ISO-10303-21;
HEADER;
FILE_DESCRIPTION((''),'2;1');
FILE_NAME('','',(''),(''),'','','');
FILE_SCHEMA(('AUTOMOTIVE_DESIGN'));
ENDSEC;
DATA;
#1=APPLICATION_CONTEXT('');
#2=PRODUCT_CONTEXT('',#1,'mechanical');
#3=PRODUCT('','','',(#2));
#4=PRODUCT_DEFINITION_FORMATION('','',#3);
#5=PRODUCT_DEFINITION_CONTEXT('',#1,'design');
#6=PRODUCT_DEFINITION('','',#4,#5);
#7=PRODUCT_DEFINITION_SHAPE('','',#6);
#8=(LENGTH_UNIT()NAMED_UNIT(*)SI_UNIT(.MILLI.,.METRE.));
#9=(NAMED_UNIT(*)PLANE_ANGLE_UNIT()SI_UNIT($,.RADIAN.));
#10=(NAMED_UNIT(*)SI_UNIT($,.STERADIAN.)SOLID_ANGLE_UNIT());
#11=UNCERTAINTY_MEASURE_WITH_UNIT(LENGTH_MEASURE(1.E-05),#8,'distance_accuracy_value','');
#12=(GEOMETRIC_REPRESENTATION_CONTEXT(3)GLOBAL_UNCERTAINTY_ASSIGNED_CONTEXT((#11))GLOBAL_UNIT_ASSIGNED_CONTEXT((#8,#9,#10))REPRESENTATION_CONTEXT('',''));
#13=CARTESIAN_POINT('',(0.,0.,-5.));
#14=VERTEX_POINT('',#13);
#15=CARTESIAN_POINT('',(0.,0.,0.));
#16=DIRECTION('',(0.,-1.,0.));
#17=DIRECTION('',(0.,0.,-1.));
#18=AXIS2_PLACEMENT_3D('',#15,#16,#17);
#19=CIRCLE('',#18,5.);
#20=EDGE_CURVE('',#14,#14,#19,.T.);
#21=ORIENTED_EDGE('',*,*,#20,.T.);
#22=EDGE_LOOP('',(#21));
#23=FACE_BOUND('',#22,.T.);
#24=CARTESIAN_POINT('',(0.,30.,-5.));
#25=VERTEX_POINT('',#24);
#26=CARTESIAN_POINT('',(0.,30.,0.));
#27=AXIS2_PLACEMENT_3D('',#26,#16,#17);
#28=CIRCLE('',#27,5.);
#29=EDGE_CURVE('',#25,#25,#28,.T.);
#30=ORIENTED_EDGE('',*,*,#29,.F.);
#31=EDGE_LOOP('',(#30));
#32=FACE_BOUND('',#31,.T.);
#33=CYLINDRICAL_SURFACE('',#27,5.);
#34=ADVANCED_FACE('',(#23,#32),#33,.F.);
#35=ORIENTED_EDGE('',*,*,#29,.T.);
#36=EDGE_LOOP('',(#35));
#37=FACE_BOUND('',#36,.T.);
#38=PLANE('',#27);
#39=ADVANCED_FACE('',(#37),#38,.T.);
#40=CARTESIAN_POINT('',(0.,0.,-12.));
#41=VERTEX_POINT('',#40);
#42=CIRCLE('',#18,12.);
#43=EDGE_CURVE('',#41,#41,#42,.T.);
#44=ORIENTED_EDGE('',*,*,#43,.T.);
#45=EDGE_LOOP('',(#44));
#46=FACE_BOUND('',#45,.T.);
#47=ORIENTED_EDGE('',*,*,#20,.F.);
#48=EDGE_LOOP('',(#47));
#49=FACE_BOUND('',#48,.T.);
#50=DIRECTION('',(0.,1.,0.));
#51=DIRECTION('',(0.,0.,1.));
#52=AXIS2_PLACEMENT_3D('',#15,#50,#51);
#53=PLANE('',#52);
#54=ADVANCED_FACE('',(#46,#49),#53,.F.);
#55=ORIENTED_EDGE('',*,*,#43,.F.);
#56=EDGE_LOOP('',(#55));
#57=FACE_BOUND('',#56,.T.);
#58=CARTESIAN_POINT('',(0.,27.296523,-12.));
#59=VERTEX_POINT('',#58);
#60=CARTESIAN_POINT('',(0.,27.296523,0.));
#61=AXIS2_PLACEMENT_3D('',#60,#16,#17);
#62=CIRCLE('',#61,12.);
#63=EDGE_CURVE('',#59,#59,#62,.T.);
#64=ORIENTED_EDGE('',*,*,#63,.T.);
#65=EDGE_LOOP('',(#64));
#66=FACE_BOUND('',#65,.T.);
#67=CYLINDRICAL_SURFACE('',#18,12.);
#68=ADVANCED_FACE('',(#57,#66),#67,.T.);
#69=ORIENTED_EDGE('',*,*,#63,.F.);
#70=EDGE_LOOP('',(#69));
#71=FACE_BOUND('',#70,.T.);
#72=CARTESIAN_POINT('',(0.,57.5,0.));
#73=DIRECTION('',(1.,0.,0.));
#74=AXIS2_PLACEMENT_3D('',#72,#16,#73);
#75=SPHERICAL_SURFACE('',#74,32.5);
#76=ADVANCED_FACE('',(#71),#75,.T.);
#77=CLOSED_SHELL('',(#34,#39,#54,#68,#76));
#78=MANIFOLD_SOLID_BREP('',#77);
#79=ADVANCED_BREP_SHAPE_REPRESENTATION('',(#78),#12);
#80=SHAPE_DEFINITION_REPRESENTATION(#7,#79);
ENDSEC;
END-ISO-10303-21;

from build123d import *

# Parameters (mm, degrees)
SKETCH2_R          = 5
CUT_EXTRUDE1_DEPTH = 30


with BuildPart() as part:
    # Sketch1 → Revolve1 (revolve)
    with BuildSketch(Plane.XY, mode=Mode.PRIVATE) as revolve1_sk:
        with BuildLine():
            Line((0, 0), (-12, 0))
            Line((-12, 0), (-12, 27.296523379))
            ThreePointArc((-12, 27.296523379), (-31.920706369, 63.608887371), (0, 90))
            Line((0, 90), (0, 0))
        make_face()
    revolve(revolve1_sk.sketch.rotate(Axis((0, 0, 0), (0, 1, 0)), 180), axis=Axis((0, 0, 0), (0, 1, 0)))

    # Sketch2 → Cut-Extrude1 (cut)
    with BuildSketch(Plane(origin=(0, 0, 0), x_dir=(-1, 0, 0), z_dir=(0, -1, 0))):
        with Locations(Location((0, 0, 0), (0, 0, 90))):
            Circle(SKETCH2_R)
    extrude(amount=-CUT_EXTRUDE1_DEPTH, mode=Mode.SUBTRACT)


solid = part.part
